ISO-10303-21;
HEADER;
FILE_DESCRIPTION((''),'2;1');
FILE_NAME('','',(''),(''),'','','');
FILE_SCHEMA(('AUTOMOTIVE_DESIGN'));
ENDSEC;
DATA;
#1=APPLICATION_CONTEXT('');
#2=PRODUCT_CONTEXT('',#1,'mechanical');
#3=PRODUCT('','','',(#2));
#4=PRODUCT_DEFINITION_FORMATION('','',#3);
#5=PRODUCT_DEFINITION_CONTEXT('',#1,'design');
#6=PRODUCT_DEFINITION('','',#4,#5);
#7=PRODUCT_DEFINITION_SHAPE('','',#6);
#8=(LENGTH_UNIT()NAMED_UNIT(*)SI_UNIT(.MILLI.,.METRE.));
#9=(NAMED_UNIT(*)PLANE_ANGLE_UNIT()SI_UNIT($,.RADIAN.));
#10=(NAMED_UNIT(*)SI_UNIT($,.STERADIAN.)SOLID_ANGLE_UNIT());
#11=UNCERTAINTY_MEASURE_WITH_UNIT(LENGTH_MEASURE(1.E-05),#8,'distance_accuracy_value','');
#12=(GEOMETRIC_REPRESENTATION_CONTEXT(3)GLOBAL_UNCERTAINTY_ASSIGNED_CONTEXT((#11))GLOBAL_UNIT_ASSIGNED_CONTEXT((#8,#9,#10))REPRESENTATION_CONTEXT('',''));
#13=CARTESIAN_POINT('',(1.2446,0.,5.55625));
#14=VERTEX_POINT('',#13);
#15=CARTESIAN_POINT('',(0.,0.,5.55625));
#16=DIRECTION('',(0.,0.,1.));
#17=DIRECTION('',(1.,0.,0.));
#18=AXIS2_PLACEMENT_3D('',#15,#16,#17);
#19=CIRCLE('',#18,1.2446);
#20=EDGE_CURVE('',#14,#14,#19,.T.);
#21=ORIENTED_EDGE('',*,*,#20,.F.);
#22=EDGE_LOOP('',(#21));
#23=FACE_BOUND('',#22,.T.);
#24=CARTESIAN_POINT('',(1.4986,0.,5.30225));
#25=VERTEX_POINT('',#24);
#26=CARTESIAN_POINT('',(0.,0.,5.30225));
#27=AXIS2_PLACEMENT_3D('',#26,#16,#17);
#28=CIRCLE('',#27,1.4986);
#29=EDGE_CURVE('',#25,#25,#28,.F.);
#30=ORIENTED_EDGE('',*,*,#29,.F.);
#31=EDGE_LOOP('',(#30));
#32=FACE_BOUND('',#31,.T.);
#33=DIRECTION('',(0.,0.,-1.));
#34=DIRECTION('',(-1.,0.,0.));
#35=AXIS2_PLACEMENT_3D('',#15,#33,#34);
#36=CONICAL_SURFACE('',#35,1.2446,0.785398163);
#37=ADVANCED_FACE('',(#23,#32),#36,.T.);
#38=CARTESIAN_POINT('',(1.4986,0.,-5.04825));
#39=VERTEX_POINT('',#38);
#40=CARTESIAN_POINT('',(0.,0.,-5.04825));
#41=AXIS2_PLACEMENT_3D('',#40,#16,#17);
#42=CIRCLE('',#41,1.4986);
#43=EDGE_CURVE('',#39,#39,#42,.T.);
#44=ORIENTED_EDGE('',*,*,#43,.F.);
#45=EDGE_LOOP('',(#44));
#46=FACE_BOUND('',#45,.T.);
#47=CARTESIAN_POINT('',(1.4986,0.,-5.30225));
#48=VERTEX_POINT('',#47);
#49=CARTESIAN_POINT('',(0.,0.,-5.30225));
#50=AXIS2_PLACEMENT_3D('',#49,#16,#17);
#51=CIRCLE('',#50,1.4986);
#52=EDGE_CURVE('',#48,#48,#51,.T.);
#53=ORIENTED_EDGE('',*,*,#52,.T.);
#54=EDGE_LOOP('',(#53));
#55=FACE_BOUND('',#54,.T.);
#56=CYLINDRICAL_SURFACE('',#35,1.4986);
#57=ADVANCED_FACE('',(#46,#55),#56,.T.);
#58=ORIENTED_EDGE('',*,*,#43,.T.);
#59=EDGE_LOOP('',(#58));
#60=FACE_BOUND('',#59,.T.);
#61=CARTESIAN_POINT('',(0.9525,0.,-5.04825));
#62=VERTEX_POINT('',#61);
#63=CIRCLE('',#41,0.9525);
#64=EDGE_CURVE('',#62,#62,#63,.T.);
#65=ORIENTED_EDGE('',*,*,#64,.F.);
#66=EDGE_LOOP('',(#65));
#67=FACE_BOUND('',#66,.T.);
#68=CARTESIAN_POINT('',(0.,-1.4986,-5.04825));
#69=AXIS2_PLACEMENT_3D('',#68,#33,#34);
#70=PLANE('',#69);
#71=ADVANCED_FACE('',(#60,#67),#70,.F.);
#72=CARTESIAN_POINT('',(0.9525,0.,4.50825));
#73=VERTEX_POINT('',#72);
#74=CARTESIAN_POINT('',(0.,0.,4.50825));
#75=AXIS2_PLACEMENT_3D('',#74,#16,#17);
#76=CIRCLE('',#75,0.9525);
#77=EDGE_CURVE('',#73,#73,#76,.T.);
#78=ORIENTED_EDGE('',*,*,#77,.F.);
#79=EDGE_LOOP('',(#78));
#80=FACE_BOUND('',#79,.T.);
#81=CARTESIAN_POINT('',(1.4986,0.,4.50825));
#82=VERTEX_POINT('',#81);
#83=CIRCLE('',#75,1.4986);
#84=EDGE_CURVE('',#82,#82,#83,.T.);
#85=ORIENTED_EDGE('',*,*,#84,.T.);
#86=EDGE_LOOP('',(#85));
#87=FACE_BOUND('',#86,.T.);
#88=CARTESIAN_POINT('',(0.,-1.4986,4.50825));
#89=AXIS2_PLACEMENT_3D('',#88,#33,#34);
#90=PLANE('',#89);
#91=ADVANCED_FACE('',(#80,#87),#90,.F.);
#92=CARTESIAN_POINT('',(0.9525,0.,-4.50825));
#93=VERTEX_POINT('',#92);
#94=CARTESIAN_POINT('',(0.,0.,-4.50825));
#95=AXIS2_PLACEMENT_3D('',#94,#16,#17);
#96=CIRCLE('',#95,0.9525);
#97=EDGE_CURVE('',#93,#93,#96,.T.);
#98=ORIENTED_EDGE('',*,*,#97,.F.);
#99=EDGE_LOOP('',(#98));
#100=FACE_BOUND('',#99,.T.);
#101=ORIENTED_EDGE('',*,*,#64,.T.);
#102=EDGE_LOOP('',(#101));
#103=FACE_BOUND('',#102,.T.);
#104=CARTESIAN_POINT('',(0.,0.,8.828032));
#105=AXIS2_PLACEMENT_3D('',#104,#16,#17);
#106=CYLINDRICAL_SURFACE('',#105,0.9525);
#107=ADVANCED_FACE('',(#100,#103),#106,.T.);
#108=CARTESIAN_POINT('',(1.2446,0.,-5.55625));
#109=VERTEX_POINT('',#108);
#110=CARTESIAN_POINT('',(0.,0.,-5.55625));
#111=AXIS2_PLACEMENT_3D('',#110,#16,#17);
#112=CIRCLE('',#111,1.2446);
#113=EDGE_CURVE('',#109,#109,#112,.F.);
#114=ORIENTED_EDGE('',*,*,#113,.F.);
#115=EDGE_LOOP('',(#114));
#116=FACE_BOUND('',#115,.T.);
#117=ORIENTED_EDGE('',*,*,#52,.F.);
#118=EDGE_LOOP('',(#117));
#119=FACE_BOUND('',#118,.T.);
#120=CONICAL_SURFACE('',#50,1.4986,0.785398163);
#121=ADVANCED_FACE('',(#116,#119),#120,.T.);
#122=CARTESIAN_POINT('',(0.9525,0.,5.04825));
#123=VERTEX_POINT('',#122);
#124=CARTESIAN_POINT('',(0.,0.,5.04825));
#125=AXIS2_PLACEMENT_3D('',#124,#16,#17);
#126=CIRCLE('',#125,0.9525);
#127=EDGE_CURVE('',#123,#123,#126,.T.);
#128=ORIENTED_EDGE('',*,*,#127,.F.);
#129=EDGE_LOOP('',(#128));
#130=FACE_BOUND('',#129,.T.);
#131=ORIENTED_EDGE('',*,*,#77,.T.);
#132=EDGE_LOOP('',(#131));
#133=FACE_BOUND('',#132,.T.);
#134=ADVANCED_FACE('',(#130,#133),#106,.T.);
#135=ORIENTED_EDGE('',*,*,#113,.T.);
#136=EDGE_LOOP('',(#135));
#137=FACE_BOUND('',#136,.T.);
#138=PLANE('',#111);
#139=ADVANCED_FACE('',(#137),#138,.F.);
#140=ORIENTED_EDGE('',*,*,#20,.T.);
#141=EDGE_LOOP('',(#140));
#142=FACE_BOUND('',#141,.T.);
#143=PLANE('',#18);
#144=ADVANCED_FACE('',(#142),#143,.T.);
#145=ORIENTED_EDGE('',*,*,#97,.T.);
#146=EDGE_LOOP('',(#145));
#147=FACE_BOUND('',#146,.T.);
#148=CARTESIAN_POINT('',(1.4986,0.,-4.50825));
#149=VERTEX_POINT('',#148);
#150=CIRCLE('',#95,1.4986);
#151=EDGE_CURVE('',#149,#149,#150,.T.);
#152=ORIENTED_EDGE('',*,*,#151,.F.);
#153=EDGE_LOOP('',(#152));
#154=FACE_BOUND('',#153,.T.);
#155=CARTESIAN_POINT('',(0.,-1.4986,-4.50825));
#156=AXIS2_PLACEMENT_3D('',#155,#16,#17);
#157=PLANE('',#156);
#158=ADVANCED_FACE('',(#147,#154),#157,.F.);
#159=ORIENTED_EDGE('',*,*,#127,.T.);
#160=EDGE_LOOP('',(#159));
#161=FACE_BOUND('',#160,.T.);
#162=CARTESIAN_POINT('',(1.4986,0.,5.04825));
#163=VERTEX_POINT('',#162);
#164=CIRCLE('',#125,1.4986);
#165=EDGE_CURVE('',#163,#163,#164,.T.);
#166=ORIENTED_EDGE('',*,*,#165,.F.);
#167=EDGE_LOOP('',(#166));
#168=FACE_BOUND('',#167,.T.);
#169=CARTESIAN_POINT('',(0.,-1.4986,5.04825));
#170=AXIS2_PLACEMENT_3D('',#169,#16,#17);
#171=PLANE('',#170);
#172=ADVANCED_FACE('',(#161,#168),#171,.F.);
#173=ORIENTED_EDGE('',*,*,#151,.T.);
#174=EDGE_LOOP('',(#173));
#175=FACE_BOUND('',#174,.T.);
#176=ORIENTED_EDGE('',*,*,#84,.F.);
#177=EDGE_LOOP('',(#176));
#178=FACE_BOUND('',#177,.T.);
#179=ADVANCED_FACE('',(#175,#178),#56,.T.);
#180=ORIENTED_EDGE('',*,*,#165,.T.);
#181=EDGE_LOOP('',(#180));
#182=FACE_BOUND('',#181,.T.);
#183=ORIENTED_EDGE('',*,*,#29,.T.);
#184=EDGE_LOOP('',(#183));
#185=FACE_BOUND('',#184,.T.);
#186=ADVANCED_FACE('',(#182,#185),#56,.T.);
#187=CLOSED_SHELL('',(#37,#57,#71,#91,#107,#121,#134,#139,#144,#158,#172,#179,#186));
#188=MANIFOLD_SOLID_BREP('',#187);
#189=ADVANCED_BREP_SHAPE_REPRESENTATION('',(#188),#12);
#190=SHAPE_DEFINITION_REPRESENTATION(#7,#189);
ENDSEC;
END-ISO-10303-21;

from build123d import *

# Parameters (mm, degrees)
SKETCH1_R           = 1.4986
BOSS_EXTRUDE1_DEPTH = 5.55625
SKETCH2_W           = 0.54
SKETCH2_H           = 0.5461
CHAMFER1_SIZE       = 0.254


with BuildPart() as part:
    # Sketch1 → Boss-Extrude1 (new body, symmetric)
    with BuildSketch(Plane.XY):
        Circle(SKETCH1_R)
    extrude(amount=BOSS_EXTRUDE1_DEPTH, both=True)

    # Sketch2 → Cut-Revolve1 (revolve, cut)
    with BuildSketch(Plane(origin=(0, 0, 0), x_dir=(0, 0, -1), z_dir=(1, 0, 0))):
        with Locations((-4.77825, -1.22555)):
            Rectangle(SKETCH2_W, SKETCH2_H)
        with Locations((4.77825, -1.22555)):
            Rectangle(SKETCH2_W, SKETCH2_H)
    revolve(axis=Axis((0, 0, 8.828032455), (0, 0, -1)), mode=Mode.SUBTRACT)

    # Chamfer1
    chamfer1_edges = [part.edges().sort_by_distance(p)[0] for p in [
        (-1.4986, 0, -5.55625),
        (-1.4986, 0, 5.55625),
    ]]
    chamfer(chamfer1_edges, length=CHAMFER1_SIZE)


solid = part.part
